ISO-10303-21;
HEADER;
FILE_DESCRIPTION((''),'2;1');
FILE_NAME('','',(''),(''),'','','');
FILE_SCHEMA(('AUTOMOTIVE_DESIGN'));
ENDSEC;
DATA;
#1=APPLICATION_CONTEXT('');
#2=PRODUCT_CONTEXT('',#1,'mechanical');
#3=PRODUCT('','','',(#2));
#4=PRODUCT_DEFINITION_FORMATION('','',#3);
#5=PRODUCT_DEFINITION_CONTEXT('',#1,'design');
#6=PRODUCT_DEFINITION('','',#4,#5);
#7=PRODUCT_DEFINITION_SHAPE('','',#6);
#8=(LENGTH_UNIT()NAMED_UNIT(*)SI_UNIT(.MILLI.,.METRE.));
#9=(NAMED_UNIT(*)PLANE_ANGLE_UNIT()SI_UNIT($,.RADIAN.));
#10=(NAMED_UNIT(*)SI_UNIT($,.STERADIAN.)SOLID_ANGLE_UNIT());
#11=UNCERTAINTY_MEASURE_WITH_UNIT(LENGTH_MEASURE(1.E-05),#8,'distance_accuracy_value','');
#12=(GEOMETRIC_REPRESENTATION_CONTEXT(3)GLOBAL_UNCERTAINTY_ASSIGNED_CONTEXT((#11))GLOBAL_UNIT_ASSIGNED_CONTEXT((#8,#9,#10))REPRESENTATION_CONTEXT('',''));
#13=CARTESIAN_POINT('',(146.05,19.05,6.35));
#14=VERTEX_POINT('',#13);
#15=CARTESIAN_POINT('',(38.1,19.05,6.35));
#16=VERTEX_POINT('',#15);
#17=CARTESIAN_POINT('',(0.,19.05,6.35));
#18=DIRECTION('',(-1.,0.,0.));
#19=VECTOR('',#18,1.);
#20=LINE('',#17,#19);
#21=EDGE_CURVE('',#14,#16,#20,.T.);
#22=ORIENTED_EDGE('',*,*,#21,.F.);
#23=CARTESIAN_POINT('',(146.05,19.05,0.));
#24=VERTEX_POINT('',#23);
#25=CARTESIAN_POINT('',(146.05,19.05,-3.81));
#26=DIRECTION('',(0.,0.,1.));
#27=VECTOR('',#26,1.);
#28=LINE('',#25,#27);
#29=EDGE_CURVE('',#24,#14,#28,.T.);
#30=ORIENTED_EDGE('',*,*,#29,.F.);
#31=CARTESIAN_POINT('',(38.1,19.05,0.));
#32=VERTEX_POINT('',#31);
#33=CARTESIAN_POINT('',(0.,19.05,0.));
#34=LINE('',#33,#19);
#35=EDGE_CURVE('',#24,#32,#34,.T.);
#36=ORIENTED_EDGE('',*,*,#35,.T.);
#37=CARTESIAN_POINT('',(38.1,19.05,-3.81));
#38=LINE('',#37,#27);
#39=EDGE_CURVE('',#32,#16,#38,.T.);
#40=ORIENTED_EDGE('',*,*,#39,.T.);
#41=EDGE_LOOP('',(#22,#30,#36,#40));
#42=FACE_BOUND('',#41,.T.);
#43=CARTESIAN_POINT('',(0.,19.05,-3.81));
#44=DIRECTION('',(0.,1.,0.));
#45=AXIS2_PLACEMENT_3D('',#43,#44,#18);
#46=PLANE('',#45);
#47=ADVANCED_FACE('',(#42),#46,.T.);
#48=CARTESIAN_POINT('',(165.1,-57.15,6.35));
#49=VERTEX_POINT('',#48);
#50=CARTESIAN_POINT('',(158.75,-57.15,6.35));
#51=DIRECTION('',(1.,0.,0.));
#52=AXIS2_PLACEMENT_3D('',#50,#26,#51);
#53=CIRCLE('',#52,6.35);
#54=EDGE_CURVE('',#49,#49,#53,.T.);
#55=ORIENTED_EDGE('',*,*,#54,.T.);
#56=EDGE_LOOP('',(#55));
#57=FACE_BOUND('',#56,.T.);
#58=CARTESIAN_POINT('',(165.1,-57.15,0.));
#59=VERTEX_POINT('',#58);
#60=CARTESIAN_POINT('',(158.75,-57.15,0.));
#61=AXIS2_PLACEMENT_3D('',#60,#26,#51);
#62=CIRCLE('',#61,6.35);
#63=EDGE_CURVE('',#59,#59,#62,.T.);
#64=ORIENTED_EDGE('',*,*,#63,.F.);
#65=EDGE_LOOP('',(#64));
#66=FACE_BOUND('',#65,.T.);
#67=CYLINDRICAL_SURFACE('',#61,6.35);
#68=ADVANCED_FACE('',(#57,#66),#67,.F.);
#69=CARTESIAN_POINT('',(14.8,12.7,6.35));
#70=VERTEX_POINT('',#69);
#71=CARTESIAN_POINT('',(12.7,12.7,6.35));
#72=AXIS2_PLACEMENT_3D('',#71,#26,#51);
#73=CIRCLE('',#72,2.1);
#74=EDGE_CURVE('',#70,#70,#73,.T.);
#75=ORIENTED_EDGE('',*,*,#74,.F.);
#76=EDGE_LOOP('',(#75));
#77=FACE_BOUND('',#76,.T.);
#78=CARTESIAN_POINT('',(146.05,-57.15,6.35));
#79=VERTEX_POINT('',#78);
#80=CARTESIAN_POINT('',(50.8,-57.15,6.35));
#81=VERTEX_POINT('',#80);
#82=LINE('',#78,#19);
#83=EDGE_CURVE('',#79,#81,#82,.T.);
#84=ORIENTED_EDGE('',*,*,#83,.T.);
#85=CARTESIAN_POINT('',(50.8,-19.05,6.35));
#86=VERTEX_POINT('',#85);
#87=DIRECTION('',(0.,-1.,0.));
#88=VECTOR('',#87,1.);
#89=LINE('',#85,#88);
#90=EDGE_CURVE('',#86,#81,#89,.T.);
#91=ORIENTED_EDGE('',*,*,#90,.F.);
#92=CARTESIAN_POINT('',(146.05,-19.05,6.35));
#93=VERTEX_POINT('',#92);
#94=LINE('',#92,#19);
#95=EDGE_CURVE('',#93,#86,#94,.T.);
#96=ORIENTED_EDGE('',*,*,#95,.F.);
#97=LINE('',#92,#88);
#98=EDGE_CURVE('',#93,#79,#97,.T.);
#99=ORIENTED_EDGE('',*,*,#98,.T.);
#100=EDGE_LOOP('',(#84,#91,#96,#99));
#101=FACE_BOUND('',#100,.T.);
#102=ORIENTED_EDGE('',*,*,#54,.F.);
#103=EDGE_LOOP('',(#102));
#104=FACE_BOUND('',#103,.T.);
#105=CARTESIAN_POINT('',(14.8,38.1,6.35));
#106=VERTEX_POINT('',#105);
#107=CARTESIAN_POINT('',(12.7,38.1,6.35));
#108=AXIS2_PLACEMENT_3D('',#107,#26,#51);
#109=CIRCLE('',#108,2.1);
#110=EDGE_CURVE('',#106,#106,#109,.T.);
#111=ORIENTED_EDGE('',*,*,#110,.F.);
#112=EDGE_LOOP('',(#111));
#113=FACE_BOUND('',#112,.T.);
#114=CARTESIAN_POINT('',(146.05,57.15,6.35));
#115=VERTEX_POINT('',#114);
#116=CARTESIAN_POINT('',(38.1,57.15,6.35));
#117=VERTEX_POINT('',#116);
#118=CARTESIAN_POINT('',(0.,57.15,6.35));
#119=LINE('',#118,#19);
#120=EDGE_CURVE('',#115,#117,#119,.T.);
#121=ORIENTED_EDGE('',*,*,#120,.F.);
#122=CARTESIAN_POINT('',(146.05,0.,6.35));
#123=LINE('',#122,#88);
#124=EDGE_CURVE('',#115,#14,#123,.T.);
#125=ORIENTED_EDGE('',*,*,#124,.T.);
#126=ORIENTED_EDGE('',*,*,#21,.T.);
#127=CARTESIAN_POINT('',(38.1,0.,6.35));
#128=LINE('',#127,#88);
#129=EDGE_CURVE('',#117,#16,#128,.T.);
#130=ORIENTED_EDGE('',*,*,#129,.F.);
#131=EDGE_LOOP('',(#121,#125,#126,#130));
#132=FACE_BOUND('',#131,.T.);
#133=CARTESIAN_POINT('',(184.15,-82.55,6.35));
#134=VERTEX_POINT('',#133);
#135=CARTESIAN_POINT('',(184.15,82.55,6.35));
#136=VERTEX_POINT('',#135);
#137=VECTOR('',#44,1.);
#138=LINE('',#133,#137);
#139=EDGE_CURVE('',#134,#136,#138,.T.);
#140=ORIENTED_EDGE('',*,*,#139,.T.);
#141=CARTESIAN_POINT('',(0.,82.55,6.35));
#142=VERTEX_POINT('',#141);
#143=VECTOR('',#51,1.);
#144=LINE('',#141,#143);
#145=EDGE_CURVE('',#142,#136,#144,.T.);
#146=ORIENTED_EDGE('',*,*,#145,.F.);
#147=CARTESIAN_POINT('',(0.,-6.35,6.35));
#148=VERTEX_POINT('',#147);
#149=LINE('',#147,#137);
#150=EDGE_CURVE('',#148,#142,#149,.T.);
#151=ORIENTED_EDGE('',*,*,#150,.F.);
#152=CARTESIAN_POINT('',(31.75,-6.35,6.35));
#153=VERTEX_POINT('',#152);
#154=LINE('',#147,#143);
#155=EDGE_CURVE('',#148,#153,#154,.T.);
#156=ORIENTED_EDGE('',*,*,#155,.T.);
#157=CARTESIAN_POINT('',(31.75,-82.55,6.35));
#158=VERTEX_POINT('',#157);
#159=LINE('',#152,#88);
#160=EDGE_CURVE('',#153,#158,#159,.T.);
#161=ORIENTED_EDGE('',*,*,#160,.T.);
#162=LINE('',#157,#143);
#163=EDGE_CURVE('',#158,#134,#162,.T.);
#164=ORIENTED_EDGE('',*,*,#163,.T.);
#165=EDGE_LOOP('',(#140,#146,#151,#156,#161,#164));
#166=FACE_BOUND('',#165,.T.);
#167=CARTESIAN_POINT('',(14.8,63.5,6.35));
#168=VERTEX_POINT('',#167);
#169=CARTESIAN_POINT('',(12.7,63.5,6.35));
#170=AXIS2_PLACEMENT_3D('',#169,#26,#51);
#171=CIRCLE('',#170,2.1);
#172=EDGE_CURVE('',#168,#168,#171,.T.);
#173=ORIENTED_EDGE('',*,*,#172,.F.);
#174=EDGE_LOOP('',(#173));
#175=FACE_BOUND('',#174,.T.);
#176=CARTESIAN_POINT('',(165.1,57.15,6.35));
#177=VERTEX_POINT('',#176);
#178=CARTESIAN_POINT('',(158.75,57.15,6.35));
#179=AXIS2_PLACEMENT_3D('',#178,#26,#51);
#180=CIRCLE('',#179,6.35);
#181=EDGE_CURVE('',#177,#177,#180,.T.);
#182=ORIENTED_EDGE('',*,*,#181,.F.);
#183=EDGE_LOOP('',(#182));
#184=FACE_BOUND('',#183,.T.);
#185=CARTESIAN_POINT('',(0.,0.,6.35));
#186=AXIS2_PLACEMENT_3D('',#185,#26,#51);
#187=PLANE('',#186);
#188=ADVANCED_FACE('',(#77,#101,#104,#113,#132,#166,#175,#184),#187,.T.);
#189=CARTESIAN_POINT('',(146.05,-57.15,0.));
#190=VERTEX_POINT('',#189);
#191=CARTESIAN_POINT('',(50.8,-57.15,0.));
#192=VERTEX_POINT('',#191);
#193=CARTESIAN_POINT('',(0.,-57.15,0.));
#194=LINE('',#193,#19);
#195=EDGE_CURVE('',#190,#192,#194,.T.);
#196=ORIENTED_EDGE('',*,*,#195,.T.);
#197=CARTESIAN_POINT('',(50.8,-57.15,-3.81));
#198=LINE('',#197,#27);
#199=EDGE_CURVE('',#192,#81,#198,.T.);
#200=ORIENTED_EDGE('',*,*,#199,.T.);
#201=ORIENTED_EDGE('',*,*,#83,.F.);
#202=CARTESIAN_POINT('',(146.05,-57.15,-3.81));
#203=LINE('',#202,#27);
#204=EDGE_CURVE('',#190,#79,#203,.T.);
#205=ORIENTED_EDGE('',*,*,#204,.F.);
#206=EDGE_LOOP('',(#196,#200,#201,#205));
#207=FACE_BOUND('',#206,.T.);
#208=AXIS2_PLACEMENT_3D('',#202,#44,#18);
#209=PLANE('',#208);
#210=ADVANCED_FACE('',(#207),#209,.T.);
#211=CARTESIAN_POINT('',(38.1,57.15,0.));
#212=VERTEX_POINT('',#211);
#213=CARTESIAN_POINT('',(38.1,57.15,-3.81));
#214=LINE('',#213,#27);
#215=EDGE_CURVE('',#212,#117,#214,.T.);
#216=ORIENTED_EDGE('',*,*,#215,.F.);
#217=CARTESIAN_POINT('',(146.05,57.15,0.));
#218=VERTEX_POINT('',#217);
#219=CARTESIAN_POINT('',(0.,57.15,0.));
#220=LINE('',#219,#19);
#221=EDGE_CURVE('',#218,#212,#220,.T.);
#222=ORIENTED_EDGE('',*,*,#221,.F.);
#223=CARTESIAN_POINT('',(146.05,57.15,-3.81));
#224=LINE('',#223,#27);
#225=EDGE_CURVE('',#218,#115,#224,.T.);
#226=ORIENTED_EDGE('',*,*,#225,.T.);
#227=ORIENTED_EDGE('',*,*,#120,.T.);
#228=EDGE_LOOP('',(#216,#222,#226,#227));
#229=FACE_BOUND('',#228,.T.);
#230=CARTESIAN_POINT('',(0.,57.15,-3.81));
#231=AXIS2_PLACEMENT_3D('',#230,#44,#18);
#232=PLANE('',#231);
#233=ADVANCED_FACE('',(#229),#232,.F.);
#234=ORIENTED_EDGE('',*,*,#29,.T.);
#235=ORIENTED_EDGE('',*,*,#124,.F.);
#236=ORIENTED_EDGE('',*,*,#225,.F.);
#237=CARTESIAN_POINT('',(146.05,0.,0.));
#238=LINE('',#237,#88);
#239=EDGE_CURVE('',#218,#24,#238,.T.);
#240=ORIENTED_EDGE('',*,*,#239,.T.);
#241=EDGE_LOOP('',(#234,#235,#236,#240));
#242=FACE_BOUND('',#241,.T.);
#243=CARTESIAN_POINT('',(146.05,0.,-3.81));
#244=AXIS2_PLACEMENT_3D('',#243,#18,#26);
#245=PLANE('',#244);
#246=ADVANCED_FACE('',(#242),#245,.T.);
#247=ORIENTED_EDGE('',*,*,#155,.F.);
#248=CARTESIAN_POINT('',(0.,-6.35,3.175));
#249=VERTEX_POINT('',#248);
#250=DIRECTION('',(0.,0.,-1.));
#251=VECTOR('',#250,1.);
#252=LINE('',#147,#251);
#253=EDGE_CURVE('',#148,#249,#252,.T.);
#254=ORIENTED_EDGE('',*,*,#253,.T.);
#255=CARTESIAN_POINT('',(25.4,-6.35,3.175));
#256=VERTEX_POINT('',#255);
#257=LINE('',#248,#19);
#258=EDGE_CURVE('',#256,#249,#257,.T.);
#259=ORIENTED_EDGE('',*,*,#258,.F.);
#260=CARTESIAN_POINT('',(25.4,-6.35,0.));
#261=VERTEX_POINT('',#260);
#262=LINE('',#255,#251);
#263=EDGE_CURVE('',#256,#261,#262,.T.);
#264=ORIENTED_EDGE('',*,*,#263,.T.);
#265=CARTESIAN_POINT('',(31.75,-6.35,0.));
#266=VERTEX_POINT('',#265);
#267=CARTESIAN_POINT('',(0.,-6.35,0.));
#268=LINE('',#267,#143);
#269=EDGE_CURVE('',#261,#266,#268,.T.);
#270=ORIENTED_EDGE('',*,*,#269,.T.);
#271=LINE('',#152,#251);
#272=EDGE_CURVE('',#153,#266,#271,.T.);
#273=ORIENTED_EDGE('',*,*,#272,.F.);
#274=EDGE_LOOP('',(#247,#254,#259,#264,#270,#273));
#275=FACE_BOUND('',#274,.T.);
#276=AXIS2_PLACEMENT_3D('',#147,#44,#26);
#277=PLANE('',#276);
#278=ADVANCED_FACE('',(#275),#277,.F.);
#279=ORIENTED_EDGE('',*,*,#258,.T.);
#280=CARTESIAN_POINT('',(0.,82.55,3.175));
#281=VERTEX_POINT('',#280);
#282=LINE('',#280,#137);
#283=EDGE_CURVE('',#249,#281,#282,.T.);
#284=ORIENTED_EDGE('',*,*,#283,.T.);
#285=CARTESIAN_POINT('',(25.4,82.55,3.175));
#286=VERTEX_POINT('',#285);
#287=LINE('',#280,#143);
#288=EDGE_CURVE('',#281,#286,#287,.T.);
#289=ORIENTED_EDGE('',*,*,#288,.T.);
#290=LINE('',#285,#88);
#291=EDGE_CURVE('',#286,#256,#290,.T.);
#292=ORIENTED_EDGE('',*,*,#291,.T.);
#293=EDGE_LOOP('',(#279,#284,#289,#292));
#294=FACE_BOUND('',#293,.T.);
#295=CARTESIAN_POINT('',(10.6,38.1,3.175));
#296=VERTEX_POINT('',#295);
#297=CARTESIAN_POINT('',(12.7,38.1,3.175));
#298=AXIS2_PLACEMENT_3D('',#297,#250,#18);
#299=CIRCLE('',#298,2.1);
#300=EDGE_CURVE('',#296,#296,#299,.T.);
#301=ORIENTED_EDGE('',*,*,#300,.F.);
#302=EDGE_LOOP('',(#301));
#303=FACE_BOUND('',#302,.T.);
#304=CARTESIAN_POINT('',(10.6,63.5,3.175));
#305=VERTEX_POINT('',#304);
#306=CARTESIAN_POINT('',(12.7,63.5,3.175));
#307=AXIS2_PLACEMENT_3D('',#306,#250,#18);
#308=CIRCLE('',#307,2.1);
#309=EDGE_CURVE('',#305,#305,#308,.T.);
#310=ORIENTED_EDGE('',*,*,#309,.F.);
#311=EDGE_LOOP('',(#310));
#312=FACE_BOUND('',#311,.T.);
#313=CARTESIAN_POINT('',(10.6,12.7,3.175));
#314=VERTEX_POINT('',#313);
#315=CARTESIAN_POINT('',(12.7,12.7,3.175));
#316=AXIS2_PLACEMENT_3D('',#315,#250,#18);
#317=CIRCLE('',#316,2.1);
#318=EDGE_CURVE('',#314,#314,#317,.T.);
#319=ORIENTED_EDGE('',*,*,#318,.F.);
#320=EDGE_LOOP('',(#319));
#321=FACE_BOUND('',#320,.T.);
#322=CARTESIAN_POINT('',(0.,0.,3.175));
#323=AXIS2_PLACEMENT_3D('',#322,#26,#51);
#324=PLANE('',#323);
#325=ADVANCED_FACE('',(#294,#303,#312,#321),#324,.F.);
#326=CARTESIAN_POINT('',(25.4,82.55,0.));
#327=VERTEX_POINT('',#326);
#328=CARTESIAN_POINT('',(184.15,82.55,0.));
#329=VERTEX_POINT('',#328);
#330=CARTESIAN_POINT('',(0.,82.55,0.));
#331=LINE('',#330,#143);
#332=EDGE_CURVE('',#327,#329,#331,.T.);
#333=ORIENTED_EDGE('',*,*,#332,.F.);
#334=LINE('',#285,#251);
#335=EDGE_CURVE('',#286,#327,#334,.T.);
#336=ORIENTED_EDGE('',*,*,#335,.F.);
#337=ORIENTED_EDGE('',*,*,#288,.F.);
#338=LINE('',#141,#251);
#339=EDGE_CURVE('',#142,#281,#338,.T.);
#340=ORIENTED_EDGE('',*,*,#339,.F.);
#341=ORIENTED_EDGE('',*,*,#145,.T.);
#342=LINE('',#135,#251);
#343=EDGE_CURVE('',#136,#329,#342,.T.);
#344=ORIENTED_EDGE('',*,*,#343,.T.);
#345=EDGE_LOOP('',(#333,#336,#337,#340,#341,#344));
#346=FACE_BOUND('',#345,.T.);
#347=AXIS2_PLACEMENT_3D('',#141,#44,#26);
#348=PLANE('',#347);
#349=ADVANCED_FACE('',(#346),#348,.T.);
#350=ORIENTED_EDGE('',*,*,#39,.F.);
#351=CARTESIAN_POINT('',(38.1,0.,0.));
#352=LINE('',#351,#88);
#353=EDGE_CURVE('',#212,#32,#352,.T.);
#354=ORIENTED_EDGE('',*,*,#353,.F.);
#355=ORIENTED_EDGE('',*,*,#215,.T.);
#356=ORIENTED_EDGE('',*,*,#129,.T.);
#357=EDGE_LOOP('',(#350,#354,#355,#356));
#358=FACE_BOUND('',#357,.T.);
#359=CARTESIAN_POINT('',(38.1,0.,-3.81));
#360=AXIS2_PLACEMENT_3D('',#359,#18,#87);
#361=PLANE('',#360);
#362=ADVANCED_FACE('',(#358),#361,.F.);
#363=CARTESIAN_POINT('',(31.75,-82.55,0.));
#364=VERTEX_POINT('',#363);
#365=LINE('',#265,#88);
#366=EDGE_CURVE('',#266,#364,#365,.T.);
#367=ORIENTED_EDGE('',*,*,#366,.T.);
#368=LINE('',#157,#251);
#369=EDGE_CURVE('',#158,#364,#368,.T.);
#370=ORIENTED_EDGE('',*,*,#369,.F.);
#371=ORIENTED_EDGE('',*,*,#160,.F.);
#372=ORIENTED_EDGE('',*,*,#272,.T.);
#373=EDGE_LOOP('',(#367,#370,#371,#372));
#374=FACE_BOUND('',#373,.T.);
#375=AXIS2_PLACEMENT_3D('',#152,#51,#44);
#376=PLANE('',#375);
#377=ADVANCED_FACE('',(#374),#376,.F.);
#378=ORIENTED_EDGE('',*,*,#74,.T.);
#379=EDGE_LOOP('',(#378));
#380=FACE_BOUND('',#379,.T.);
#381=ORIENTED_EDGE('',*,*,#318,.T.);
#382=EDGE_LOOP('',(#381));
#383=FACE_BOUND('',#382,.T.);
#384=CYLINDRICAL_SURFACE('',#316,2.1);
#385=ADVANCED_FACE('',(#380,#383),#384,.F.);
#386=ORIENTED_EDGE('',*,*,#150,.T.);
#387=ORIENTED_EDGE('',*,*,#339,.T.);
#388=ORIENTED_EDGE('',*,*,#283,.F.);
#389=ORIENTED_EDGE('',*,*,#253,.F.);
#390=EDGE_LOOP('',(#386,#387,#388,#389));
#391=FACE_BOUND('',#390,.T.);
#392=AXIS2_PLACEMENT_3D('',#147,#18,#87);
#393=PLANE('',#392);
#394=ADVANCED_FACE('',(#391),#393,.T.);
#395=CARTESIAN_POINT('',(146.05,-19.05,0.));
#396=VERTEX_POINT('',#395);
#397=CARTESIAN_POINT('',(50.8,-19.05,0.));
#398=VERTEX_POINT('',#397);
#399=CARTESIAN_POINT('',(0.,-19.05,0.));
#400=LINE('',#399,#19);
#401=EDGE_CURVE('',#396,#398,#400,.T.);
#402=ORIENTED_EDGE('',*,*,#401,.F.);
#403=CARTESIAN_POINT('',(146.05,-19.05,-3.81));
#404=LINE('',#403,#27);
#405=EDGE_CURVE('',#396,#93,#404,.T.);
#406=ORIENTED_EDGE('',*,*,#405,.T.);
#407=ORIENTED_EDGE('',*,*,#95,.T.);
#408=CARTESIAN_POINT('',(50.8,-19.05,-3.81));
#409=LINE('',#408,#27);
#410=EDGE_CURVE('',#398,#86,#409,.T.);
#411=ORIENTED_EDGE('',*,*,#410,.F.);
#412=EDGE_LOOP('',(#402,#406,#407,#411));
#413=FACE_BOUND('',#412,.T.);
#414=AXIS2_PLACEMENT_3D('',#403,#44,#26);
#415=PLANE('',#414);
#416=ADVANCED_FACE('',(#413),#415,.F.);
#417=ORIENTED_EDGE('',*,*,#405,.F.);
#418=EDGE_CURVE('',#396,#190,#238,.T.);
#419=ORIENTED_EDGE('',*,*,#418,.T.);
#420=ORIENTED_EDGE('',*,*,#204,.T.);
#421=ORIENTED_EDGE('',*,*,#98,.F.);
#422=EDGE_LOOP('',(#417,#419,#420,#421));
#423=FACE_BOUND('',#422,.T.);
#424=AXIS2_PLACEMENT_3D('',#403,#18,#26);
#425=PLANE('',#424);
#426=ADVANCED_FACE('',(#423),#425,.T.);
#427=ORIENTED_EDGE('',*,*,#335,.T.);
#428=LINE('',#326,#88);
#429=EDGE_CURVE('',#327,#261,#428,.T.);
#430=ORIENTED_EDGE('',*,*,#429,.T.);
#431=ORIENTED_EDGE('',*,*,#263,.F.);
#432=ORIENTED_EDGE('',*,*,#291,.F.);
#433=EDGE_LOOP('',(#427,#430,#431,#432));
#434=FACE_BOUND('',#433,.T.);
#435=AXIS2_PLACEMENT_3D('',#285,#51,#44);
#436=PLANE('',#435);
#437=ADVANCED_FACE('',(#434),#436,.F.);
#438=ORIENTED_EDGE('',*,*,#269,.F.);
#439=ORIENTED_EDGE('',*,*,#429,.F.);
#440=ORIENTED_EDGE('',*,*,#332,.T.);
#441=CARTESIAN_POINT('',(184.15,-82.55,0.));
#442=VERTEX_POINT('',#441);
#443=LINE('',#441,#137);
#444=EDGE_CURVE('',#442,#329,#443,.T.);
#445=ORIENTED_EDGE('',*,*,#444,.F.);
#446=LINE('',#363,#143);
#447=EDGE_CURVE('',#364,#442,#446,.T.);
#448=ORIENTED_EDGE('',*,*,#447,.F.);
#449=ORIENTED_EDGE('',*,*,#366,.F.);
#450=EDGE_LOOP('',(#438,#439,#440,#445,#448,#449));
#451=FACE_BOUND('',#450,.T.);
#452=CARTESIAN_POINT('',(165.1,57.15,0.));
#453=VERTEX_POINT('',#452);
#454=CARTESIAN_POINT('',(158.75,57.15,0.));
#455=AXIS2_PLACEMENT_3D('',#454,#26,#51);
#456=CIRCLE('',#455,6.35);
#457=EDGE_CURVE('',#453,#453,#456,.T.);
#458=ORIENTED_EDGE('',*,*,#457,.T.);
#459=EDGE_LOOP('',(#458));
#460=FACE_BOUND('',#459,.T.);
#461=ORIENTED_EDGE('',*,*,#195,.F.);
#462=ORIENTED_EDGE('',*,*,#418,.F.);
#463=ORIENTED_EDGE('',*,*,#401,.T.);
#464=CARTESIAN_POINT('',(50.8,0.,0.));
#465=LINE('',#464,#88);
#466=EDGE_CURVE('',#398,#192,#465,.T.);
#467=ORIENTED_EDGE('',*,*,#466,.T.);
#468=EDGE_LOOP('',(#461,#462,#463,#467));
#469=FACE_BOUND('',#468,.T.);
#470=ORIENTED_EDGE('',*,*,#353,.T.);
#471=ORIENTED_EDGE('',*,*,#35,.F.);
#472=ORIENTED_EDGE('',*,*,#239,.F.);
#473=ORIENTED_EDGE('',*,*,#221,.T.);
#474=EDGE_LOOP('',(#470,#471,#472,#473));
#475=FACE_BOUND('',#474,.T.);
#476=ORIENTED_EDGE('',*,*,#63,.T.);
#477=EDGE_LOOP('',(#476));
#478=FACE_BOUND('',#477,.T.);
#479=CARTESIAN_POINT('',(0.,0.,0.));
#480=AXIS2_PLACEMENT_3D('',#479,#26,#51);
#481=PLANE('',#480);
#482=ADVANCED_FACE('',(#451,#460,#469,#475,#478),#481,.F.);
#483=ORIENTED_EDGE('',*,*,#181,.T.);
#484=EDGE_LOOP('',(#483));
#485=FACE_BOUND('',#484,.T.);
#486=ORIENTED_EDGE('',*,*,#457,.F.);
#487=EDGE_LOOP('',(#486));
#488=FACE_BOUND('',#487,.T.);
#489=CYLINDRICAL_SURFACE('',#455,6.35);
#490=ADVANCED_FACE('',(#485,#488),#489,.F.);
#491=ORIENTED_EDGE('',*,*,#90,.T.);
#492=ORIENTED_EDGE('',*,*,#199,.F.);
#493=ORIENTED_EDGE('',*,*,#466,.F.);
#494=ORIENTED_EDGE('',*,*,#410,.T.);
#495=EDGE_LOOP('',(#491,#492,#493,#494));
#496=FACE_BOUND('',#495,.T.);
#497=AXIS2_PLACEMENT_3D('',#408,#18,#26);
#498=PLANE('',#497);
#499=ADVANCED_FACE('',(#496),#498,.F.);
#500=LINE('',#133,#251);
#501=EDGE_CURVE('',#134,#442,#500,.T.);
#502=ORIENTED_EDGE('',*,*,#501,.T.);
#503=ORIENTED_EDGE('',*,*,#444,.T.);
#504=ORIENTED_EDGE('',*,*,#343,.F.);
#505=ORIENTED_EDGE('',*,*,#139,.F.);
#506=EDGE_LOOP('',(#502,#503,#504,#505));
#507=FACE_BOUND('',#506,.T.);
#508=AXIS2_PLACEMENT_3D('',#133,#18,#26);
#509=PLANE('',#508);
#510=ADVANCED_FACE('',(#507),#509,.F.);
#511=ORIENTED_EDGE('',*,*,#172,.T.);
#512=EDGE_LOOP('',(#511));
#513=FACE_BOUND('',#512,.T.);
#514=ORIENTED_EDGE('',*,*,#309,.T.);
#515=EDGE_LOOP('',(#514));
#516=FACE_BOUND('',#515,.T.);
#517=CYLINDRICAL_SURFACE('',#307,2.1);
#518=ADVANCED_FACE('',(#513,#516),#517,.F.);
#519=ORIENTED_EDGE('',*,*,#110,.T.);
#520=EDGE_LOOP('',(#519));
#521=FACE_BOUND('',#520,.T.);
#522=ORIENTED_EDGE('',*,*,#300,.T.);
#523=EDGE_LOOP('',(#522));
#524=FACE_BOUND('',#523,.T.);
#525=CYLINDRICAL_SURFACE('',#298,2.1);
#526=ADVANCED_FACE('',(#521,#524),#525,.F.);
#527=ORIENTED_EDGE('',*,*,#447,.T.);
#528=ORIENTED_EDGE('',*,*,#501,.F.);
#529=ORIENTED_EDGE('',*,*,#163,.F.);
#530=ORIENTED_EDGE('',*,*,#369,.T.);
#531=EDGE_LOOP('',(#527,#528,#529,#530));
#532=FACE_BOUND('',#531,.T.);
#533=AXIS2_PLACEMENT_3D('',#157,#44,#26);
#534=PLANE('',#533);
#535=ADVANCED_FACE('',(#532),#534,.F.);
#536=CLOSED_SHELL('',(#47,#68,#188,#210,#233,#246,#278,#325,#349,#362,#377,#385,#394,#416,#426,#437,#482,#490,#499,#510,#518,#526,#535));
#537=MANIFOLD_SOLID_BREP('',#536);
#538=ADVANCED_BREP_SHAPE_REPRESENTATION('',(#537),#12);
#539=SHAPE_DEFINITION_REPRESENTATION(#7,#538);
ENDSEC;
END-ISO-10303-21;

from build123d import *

# Parameters (mm, degrees)
BOSS_EXTRUDE1_DEPTH       = 6.35
SKETCH5_R                 = 6.35
CUT_EXTRUDE1_DEPTH        = 202.906036314
SKETCH6_W                 = 95.25
SKETCH6_H                 = 38.1
SKETCH6_W_2               = 107.95
CUT_EXTRUDE2_DEPTH        = 10.16
SKETCH7_W                 = 25.4
SKETCH7_H                 = 88.9
CUT_EXTRUDE3_DEPTH        = 3.175
M5X0_8_TAPPED_HOLE1_D     = 4.2
M5X0_8_TAPPED_HOLE1_DEPTH = 13.97
M5X0_8_TAPPED_HOLE1_TIP   = 1.2618073


with BuildPart() as part:
    # Sketch2 → Boss-Extrude1 (new body)
    with BuildSketch(Plane.XY):
        Polygon((184.15, -82.55), (184.15, 82.55), (0, 82.55), (0, -6.35), (31.75, -6.35), (31.75, -82.55), align=None)
    extrude(amount=BOSS_EXTRUDE1_DEPTH)

    # Sketch5 → Cut-Extrude1 (cut, through all)
    with BuildSketch(Plane.XY.offset(6.35)):
        with Locations((-158.75, 57.15)):
            Circle(SKETCH5_R)
        with Locations((-158.75, -57.15)):
            Circle(SKETCH5_R)
        with Locations((158.75, 57.15)):
            Circle(SKETCH5_R)
        with Locations((158.75, -57.15)):
            Circle(SKETCH5_R)
    extrude(amount=-CUT_EXTRUDE1_DEPTH, mode=Mode.SUBTRACT)

    # Sketch6 → Cut-Extrude2 (cut)
    with BuildSketch(Plane.XY.offset(6.35)):
        with Locations((98.425, -38.1)):
            Rectangle(SKETCH6_W, SKETCH6_H)
        with Locations((92.075, 38.1)):
            Rectangle(SKETCH6_W_2, SKETCH6_H)
    extrude(amount=-CUT_EXTRUDE2_DEPTH, mode=Mode.SUBTRACT)

    # Sketch7 → Cut-Extrude3 (cut)
    with BuildSketch(Plane(origin=(0, 0, 0), x_dir=(-1, 0, 0), z_dir=(0, 0, -1))):
        with Locations((-12.7, 38.1)):
            Rectangle(SKETCH7_W, SKETCH7_H)
    extrude(amount=-CUT_EXTRUDE3_DEPTH, mode=Mode.SUBTRACT)

    # M5x0.8 Tapped Hole1
    with Locations(Plane(origin=(0, 0, 3.175), x_dir=(-1, 0, 0), z_dir=(0, 0, -1))):
        with Locations((-12.7, 38.1), (-12.7, 63.5), (-12.7, 12.7), (-2.670853236, 86.574215023)):
            Hole(M5X0_8_TAPPED_HOLE1_D / 2, depth=M5X0_8_TAPPED_HOLE1_DEPTH)
            with Locations((0, 0, -(M5X0_8_TAPPED_HOLE1_DEPTH + M5X0_8_TAPPED_HOLE1_TIP / 2))):  # 118° drill point
                Cone(0, M5X0_8_TAPPED_HOLE1_D / 2, M5X0_8_TAPPED_HOLE1_TIP, mode=Mode.SUBTRACT)


solid = part.part
